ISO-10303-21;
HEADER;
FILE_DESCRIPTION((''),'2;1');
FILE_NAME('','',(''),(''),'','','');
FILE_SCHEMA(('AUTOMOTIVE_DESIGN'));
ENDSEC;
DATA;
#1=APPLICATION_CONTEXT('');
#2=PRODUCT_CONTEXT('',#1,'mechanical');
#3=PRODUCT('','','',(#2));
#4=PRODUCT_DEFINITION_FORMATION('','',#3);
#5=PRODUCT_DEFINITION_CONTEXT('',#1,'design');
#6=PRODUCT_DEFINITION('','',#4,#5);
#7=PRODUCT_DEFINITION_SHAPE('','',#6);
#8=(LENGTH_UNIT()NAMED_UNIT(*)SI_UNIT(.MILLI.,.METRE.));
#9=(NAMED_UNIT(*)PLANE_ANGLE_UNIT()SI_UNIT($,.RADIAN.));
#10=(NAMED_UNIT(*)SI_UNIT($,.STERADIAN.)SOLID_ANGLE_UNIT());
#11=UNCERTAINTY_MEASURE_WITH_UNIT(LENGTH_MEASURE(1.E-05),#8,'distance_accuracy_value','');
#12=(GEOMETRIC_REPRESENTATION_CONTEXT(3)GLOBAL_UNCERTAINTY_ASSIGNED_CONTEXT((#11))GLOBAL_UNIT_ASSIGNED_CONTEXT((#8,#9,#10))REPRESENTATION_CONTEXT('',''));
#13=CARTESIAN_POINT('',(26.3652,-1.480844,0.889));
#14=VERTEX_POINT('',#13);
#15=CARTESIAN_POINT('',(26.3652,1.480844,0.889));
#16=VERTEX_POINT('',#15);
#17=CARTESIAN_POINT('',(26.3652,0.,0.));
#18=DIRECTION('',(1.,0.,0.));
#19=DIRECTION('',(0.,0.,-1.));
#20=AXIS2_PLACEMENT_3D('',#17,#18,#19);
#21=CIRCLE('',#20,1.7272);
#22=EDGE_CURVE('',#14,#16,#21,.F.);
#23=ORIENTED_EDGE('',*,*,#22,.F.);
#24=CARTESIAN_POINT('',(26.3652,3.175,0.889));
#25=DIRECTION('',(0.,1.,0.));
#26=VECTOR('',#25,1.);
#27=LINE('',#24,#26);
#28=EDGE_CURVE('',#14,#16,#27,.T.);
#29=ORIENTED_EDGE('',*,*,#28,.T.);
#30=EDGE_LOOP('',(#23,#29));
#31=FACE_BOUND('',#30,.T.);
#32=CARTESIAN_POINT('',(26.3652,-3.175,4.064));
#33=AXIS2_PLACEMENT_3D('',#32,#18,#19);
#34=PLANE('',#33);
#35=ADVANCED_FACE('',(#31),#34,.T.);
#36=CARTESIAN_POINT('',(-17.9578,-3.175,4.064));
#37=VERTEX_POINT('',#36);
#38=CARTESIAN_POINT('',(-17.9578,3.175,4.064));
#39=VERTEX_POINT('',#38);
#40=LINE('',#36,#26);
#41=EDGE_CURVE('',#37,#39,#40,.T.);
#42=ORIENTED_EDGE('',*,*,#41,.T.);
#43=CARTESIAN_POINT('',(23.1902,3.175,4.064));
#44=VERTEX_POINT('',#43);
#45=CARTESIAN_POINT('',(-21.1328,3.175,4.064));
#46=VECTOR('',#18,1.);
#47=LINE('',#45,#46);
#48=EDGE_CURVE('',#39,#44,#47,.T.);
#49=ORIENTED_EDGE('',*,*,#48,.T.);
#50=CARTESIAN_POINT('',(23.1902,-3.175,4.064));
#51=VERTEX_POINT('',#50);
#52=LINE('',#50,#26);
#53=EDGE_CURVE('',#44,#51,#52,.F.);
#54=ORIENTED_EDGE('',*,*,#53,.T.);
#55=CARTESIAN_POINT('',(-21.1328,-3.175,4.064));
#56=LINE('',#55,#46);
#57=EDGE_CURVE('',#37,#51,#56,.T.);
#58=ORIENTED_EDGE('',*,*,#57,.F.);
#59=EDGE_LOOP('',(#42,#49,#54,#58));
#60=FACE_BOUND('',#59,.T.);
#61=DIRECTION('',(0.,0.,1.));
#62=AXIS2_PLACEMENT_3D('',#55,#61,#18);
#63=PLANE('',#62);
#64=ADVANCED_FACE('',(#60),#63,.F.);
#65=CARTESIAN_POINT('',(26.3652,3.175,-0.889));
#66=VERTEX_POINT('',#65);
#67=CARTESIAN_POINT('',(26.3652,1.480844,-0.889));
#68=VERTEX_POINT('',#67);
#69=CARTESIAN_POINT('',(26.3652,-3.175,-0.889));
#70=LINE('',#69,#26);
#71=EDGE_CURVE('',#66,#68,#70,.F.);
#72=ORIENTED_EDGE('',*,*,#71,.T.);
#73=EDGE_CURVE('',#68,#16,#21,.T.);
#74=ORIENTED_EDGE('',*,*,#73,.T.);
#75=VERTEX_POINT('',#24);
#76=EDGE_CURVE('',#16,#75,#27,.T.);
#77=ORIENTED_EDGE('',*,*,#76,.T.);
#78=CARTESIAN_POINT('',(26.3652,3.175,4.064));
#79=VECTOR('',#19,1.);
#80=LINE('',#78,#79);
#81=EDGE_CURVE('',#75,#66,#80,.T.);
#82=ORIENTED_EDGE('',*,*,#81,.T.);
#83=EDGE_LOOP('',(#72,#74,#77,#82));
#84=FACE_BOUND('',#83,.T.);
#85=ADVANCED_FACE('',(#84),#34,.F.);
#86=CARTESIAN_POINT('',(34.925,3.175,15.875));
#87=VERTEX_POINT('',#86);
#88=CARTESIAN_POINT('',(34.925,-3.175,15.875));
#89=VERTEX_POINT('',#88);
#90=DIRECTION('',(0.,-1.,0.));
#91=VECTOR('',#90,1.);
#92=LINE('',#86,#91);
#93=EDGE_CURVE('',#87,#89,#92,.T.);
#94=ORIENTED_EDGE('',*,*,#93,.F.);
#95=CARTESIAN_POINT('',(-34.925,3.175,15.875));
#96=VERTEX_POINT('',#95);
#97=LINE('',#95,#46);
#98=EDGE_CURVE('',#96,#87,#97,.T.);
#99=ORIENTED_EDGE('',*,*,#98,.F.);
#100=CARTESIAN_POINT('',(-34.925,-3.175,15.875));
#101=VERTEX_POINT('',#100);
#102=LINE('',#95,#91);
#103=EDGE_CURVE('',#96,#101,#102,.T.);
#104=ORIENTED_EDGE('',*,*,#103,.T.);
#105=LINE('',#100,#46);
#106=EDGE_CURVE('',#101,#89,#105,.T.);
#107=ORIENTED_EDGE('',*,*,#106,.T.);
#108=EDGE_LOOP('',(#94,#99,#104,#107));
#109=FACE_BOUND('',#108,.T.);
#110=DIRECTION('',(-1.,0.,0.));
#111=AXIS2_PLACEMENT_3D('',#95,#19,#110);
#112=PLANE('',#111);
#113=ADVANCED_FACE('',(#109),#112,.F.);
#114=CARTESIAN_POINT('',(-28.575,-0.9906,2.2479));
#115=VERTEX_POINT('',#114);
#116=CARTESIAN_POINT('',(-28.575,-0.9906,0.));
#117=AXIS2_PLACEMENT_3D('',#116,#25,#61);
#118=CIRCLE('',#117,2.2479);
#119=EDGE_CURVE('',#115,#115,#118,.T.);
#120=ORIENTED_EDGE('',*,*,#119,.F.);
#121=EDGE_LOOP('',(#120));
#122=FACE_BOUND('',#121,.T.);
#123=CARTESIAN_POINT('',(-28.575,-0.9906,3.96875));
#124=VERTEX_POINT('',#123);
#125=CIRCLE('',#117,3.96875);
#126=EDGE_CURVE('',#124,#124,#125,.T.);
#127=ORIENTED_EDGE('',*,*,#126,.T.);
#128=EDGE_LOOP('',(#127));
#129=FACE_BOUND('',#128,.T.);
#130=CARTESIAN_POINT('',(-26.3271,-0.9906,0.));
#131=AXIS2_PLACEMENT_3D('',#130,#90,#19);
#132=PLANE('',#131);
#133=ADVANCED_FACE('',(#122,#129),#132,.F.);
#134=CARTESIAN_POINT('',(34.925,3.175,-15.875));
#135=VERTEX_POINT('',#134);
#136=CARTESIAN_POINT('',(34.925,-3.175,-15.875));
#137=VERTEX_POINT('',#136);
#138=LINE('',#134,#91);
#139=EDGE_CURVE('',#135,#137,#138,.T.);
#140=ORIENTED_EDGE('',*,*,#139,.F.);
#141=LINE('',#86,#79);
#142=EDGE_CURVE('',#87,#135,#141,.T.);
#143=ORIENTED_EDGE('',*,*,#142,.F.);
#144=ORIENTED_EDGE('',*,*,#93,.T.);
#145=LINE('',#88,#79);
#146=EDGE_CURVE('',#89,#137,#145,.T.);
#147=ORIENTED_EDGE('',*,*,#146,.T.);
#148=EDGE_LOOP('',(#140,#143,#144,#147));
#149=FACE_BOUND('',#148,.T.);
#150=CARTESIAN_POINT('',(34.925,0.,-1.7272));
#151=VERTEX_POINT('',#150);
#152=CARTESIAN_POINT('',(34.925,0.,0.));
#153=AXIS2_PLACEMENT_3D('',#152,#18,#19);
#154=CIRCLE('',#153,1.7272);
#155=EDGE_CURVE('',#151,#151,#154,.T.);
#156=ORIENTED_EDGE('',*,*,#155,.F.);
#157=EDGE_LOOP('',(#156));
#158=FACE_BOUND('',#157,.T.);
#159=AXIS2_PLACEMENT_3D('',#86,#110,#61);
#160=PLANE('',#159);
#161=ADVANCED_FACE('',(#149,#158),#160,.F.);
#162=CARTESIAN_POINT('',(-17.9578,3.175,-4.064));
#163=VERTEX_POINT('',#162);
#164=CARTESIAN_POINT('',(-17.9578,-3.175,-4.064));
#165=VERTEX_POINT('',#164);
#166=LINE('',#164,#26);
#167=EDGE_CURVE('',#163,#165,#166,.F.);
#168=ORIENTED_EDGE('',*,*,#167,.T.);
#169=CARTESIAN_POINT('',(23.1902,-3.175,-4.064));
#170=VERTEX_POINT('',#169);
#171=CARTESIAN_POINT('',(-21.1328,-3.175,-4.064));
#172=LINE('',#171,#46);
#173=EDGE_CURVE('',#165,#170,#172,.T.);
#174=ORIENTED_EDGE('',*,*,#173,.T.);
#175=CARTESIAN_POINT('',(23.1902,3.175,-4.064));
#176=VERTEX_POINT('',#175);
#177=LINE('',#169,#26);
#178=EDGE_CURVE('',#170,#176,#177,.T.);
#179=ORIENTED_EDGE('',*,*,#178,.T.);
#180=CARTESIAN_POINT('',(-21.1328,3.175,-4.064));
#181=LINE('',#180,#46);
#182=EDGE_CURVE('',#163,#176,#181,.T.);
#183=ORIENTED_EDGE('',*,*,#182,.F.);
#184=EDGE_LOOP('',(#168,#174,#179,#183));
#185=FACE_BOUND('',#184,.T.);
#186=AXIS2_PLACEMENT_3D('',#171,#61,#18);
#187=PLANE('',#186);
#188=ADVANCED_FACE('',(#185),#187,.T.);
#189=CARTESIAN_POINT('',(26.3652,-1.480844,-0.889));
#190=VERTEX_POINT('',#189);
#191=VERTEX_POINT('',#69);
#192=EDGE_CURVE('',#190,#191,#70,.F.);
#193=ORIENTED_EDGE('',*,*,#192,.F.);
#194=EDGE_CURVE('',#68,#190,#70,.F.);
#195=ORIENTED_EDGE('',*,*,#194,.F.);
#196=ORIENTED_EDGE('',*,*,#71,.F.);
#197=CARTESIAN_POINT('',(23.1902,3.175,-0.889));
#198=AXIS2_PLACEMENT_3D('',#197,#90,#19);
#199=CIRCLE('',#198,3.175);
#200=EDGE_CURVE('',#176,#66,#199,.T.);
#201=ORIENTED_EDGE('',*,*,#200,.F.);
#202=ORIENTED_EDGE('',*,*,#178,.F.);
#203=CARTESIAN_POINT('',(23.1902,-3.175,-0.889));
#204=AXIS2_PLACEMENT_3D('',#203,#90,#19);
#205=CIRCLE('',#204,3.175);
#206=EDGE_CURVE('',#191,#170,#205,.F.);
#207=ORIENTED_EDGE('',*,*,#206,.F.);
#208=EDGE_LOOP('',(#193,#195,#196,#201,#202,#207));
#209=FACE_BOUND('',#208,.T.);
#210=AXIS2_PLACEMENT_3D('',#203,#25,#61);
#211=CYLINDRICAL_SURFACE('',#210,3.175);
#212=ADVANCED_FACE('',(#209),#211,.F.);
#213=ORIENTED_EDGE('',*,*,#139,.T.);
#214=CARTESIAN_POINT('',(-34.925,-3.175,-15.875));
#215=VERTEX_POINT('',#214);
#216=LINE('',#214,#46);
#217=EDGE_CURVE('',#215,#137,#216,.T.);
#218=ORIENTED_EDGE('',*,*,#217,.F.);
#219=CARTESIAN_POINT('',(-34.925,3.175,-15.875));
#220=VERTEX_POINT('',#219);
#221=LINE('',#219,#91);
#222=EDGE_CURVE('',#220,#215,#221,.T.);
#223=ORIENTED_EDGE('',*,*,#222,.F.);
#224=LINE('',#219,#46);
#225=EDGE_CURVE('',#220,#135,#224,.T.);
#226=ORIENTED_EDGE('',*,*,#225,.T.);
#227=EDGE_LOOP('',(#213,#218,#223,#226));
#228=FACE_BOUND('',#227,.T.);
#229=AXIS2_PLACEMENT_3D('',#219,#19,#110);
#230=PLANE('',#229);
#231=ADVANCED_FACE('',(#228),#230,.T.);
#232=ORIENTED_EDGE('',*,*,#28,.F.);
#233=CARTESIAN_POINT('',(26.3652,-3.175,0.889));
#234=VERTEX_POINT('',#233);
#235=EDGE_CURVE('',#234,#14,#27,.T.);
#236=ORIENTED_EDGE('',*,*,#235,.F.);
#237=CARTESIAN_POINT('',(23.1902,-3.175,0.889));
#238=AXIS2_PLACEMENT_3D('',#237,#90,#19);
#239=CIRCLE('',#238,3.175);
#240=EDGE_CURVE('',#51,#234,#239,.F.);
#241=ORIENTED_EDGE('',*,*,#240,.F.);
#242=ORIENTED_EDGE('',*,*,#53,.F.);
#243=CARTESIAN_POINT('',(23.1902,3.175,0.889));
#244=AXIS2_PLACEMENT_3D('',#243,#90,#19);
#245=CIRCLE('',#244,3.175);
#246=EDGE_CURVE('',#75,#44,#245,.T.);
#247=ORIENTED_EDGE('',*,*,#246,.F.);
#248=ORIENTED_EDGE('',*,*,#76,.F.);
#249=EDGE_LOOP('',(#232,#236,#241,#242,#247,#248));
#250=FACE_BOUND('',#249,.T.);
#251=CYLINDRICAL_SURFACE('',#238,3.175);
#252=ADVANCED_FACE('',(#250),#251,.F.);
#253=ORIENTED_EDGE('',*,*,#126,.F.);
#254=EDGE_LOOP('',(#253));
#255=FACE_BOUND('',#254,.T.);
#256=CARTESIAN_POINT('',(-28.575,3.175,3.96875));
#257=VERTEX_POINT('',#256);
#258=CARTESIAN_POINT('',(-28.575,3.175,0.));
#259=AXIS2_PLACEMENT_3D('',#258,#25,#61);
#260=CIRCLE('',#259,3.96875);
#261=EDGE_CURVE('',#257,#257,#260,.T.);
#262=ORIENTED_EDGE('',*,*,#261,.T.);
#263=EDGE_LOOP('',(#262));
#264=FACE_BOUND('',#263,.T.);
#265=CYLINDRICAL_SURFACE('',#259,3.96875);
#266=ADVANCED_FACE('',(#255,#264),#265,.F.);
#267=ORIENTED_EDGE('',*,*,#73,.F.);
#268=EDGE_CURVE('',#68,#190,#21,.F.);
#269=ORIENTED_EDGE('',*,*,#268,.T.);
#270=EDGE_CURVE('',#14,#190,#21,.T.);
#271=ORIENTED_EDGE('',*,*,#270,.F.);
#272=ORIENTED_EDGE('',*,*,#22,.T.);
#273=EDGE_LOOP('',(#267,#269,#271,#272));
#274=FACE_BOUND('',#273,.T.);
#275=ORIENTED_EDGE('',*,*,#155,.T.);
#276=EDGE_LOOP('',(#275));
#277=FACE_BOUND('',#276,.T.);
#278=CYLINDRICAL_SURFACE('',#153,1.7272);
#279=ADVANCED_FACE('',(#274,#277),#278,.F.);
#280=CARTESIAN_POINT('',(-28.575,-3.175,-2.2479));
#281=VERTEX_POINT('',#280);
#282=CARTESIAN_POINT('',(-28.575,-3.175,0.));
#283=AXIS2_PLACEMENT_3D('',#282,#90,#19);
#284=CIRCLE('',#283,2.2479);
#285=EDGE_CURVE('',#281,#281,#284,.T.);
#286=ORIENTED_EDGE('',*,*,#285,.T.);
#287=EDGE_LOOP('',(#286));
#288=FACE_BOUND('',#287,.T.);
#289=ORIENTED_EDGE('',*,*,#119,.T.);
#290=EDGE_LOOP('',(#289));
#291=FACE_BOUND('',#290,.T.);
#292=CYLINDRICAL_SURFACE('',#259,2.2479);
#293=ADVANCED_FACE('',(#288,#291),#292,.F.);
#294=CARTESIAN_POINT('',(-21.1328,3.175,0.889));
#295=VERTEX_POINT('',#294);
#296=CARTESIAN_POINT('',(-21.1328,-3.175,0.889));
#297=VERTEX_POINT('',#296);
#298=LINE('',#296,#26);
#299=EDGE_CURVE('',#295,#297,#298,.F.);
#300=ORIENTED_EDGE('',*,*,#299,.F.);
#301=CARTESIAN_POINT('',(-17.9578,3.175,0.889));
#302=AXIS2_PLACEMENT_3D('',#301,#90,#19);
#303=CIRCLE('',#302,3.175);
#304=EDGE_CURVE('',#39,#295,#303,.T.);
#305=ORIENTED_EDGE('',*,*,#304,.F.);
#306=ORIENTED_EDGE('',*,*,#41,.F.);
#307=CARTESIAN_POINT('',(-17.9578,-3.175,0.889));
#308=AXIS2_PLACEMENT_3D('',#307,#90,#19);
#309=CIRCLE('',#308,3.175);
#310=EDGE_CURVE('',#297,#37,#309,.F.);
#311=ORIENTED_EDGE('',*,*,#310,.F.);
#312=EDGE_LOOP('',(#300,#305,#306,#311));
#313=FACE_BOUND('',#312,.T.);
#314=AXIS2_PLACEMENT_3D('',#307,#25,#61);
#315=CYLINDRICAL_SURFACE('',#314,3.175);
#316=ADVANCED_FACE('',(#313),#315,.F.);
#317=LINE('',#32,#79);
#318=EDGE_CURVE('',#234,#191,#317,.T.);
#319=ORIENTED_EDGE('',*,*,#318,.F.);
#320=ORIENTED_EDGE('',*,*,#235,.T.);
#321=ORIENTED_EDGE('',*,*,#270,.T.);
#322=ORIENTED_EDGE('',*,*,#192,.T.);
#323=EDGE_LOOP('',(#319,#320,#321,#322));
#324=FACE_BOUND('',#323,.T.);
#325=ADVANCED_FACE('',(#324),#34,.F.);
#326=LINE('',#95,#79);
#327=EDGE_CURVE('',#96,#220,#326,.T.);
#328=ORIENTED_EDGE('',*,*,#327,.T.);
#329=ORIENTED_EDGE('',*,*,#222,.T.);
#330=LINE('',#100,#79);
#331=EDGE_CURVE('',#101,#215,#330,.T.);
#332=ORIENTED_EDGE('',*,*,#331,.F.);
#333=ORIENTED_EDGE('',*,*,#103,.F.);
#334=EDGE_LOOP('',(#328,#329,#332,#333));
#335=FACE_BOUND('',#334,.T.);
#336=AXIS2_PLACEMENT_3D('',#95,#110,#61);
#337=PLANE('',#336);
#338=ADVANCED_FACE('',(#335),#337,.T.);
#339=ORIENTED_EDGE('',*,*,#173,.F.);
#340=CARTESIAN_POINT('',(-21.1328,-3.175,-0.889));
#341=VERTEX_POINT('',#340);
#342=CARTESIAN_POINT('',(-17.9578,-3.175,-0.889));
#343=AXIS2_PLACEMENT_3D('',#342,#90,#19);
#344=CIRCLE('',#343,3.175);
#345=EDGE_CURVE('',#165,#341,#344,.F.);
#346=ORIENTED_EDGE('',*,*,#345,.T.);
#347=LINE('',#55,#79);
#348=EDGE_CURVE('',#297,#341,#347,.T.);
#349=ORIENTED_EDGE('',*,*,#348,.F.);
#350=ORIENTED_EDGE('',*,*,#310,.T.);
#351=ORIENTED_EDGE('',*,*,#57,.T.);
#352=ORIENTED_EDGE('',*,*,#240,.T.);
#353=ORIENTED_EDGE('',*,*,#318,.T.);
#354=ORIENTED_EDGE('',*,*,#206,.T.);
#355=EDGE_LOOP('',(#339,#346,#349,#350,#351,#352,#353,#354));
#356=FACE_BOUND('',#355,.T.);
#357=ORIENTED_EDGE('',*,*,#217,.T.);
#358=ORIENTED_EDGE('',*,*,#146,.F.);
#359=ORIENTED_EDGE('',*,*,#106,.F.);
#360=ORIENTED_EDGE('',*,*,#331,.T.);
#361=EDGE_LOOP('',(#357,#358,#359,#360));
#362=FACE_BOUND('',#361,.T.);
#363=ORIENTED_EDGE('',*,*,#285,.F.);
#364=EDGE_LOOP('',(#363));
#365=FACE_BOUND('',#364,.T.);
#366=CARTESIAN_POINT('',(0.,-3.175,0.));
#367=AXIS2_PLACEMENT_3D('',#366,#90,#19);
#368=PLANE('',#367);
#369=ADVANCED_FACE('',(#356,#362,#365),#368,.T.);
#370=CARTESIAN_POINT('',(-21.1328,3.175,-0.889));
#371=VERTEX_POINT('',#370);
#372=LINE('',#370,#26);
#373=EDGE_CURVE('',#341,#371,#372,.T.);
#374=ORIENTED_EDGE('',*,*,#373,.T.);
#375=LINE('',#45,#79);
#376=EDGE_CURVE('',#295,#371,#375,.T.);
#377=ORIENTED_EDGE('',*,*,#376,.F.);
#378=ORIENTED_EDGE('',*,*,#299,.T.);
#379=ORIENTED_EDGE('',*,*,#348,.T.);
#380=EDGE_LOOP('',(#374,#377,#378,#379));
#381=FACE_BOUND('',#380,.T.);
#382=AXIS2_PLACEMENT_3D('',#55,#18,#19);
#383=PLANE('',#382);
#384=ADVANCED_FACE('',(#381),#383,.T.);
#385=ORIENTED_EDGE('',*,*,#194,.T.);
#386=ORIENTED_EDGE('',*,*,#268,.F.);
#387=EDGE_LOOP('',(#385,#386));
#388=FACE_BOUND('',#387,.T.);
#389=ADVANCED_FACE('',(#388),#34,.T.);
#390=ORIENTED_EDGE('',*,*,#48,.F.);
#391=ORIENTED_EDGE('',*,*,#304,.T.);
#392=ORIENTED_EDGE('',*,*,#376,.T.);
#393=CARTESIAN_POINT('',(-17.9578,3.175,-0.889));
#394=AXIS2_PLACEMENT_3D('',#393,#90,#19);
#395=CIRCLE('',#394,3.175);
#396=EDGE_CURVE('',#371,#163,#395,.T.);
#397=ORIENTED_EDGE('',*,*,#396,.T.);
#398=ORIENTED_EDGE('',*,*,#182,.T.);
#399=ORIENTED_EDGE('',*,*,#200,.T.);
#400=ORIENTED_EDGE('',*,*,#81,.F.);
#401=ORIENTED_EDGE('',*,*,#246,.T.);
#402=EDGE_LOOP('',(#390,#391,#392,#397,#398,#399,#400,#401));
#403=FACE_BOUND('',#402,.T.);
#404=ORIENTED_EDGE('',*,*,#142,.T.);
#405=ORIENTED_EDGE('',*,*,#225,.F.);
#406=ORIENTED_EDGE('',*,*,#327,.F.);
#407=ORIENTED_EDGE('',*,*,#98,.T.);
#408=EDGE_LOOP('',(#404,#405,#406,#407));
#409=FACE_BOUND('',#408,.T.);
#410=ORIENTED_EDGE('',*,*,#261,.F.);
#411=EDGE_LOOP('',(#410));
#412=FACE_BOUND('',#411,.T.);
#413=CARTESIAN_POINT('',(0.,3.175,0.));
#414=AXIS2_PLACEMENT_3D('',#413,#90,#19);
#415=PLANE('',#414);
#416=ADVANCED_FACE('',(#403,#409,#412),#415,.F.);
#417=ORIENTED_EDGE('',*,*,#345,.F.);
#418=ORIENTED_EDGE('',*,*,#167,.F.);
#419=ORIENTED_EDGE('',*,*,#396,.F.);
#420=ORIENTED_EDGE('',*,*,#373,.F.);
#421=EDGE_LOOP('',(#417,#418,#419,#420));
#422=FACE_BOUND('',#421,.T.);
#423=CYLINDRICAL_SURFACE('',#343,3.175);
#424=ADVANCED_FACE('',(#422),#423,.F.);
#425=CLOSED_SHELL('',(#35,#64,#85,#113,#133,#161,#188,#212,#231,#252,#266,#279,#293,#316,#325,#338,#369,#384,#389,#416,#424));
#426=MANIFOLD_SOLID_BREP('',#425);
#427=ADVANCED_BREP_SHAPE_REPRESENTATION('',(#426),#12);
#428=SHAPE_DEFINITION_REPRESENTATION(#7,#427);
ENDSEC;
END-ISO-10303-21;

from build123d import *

# Parameters (mm, degrees)
SKETCH1_W                                      = 69.85
SKETCH1_H                                      = 31.75
BOSS_EXTRUDE1_DEPTH                            = 3.175
SKETCH2_W                                      = 47.498
SKETCH2_H                                      = 8.128
CUT_EXTRUDE1_DEPTH                             = 6.35
FILLET1_R                                      = 3.175
CBORE_FOR_8_SOCKET_HEAD_CAP_SCREW1_D           = 4.4958
CBORE_FOR_8_SOCKET_HEAD_CAP_SCREW1_DEPTH       = 16.51
CBORE_FOR_8_SOCKET_HEAD_CAP_SCREW1_CBORE_D     = 7.9375
CBORE_FOR_8_SOCKET_HEAD_CAP_SCREW1_CBORE_DEPTH = 4.1656
CBORE_FOR_8_SOCKET_HEAD_CAP_SCREW1_TIP         = 1.350674586
F_8_32_TAPPED_HOLE1_D                          = 3.4544
F_8_32_TAPPED_HOLE1_DEPTH                      = 8.5598


with BuildPart() as part:
    # Sketch1 → Boss-Extrude1 (new, symmetric)
    with BuildSketch(Plane(origin=(0, 0, 0), x_dir=(1, 0, 0), z_dir=(0, 1, 0))):
        Rectangle(SKETCH1_W, SKETCH1_H)
    extrude(amount=BOSS_EXTRUDE1_DEPTH, both=True)

    # Sketch2 → Cut-Extrude1 (cut)
    with BuildSketch(Plane(origin=(0, 3.175, 0), x_dir=(1, 0, 0), z_dir=(0, 1, 0))):
        with Locations((2.6162, 0)):
            Rectangle(SKETCH2_W, SKETCH2_H)
    extrude(amount=-CUT_EXTRUDE1_DEPTH, mode=Mode.SUBTRACT)

    # Fillet1
    fillet1_edges = [part.edges().sort_by_distance(p)[0] for p in [
        (-21.1328, 0, 4.064),
        (-21.1328, 0, -4.064),
        (26.3652, 0, -4.064),
        (26.3652, 0, 4.064),
    ]]
    fillet(fillet1_edges, radius=FILLET1_R)

    # CBORE for #8 Socket Head Cap Screw1
    with Locations(Plane(origin=(0, 3.175, 0), x_dir=(1, 0, 0), z_dir=(0, 1, 0))):
        with Locations((-28.575, 0)):
            CounterBoreHole(CBORE_FOR_8_SOCKET_HEAD_CAP_SCREW1_D / 2, CBORE_FOR_8_SOCKET_HEAD_CAP_SCREW1_CBORE_D / 2, CBORE_FOR_8_SOCKET_HEAD_CAP_SCREW1_CBORE_DEPTH, depth=CBORE_FOR_8_SOCKET_HEAD_CAP_SCREW1_DEPTH)
            with Locations((0, 0, -(CBORE_FOR_8_SOCKET_HEAD_CAP_SCREW1_DEPTH + CBORE_FOR_8_SOCKET_HEAD_CAP_SCREW1_TIP / 2))):  # 118° drill point
                Cone(0, CBORE_FOR_8_SOCKET_HEAD_CAP_SCREW1_D / 2, CBORE_FOR_8_SOCKET_HEAD_CAP_SCREW1_TIP, mode=Mode.SUBTRACT)

    # #8-32 Tapped Hole1
    with Locations(Plane(origin=(34.925, 0, 0), x_dir=(0, 0, -1), z_dir=(1, 0, 0))):
        with Locations((0, 0)):
            Hole(F_8_32_TAPPED_HOLE1_D / 2, depth=F_8_32_TAPPED_HOLE1_DEPTH)


solid = part.part
